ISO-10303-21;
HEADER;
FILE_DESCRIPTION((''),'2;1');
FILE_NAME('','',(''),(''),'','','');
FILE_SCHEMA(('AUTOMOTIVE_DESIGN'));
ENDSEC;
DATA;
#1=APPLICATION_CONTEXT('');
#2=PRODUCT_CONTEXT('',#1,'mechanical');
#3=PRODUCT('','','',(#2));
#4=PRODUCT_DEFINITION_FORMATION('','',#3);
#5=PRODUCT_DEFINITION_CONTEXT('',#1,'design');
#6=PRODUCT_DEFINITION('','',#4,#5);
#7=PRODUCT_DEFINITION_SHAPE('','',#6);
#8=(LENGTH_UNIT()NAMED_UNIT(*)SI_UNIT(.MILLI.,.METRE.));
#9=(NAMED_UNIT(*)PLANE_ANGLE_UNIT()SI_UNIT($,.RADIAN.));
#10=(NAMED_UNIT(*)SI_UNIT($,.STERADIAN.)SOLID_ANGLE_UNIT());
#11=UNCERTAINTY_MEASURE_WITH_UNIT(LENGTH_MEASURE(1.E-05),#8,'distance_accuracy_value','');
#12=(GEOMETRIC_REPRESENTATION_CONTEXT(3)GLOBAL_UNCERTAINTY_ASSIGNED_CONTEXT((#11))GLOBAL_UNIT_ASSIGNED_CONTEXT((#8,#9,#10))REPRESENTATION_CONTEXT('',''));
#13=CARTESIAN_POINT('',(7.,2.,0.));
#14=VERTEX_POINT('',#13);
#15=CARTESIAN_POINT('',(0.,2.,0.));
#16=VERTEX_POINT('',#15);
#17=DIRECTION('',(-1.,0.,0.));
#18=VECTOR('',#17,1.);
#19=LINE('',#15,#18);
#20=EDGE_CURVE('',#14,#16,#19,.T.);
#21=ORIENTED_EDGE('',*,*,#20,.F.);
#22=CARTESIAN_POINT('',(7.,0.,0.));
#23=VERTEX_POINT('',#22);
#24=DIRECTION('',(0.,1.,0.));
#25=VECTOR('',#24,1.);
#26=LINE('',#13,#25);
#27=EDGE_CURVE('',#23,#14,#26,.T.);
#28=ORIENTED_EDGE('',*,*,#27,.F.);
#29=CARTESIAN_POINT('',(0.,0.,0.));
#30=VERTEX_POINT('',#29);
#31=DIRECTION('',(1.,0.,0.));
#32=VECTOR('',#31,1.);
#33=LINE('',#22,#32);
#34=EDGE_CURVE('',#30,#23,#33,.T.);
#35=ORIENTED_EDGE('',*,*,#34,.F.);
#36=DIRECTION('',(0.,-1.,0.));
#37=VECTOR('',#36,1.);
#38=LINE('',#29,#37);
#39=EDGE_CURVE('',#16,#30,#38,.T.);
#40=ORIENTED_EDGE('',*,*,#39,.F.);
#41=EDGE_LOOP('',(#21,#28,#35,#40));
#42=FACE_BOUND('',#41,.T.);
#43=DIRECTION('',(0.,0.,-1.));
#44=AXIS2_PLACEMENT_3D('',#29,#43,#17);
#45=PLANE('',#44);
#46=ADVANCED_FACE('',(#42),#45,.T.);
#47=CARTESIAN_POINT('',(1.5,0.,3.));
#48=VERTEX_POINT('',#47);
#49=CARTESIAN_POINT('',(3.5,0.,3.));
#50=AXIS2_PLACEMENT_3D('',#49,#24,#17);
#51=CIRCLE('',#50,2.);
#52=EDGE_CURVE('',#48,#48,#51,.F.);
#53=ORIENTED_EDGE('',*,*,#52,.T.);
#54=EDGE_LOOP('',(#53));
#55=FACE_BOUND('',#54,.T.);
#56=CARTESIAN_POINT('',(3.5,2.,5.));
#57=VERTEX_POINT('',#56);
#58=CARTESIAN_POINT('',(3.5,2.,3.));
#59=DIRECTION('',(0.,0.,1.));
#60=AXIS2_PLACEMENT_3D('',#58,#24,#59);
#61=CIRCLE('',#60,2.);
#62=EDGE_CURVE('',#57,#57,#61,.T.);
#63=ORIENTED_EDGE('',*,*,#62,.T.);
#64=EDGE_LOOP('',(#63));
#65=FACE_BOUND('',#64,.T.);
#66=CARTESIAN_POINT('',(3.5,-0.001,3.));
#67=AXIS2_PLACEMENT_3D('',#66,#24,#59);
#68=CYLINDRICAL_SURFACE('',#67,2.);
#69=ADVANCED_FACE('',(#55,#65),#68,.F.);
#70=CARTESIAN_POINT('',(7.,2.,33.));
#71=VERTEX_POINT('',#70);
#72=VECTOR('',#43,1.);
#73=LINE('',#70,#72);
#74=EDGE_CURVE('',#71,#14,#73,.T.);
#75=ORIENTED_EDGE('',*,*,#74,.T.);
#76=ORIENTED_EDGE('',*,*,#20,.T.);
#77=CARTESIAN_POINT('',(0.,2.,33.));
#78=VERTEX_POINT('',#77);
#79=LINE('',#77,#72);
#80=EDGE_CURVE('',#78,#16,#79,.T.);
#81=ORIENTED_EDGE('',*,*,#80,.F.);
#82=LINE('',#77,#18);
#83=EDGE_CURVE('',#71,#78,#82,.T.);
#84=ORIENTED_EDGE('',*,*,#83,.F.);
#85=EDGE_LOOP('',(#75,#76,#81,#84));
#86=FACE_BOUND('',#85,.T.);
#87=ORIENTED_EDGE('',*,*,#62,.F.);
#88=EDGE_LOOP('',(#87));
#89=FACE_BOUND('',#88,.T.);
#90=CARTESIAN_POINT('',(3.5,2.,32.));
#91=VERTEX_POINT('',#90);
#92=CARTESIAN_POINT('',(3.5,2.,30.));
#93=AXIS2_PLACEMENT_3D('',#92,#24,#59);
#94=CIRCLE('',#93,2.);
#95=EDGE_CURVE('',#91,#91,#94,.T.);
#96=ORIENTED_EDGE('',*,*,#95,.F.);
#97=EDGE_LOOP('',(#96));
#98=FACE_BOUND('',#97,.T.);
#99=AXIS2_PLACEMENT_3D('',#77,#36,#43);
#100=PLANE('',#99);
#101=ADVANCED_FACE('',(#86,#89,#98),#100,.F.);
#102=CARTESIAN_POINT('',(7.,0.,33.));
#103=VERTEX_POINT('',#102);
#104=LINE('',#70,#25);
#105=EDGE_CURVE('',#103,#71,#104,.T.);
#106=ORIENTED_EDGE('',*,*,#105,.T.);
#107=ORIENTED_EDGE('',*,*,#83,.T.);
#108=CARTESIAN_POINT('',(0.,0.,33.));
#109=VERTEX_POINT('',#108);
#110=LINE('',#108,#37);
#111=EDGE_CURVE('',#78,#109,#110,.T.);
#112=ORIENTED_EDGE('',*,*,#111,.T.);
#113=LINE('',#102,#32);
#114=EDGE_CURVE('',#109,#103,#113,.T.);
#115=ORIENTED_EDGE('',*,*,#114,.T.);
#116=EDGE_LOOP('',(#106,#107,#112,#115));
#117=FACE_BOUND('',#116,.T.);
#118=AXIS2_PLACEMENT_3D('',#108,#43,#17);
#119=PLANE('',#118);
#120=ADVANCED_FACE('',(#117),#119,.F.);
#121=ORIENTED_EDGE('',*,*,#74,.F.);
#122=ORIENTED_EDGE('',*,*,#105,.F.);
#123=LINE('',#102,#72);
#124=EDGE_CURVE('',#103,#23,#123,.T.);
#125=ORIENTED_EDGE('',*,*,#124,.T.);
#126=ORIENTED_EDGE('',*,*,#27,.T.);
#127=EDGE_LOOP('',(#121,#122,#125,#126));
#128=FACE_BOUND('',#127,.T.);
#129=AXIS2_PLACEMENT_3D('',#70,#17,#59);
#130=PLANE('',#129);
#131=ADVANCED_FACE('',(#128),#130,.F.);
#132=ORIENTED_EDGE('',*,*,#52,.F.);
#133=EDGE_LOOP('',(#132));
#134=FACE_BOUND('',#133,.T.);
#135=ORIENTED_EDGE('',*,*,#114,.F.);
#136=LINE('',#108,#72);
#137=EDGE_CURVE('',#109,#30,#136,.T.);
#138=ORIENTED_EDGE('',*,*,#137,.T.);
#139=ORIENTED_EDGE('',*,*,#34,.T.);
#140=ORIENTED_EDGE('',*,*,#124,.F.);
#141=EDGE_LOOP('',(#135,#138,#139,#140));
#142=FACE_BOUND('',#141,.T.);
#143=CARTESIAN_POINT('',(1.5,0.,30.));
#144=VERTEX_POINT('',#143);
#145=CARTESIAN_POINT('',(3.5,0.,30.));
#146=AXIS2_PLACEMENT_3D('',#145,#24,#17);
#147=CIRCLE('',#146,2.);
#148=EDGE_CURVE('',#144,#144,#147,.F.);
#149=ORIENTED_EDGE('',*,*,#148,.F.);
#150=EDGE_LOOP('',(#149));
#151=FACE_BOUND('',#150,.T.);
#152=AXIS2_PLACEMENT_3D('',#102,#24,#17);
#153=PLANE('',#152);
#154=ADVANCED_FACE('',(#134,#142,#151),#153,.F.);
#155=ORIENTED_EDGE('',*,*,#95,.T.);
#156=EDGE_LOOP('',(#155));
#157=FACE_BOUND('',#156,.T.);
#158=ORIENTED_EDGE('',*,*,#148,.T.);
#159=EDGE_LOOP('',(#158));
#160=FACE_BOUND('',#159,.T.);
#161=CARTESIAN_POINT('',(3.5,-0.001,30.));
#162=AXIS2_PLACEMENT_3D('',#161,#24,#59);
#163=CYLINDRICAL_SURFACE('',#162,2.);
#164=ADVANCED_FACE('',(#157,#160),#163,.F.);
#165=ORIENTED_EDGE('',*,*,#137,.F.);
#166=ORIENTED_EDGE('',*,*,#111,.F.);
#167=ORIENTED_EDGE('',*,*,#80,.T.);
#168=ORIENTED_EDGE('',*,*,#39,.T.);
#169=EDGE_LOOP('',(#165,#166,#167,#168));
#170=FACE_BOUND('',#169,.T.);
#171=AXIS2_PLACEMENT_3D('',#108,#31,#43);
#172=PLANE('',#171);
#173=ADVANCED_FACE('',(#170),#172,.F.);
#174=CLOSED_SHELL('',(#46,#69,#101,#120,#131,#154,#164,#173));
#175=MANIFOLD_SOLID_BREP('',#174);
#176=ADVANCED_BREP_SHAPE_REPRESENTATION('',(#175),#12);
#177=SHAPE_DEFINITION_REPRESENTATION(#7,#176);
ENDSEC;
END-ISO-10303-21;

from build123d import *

# Parameters (mm, degrees)
SKETCH1_W           = 7
SKETCH1_H           = 2
BOSS_EXTRUDE1_DEPTH = 33
CUT_EXTRUDE1_REACH  = 35.793
SKETCH2_R           = 2


with BuildPart() as part:
    # Sketch1 → Boss-Extrude1 (new body)
    with BuildSketch(Plane.XY):
        with Locations((3.5, 1)):
            Rectangle(SKETCH1_W, SKETCH1_H)
    extrude(amount=BOSS_EXTRUDE1_DEPTH)

    # Sketch2 → Cut-Extrude1 (cut, up to next)
    with BuildSketch(Plane(origin=(0, 2, 0), x_dir=(1, 0, 0), z_dir=(0, 1, 0)), mode=Mode.PRIVATE) as cut_extrude1_sk1:
        with Locations(Location((3.5, -30, 0), (0, 0, 270))):
            Circle(SKETCH2_R)
    cut_extrude1_tool1 = extrude(cut_extrude1_sk1.sketch, amount=-CUT_EXTRUDE1_REACH, mode=Mode.PRIVATE) & part.part
    # Sketch2 → Cut-Extrude1 (cut, up to next)
    with BuildSketch(Plane(origin=(0, 2, 0), x_dir=(1, 0, 0), z_dir=(0, 1, 0)), mode=Mode.PRIVATE) as cut_extrude1_sk2:
        with Locations(Location((3.5, -3, 0), (0, 0, 270))):
            Circle(SKETCH2_R)
    cut_extrude1_tool2 = extrude(cut_extrude1_sk2.sketch, amount=-CUT_EXTRUDE1_REACH, mode=Mode.PRIVATE) & part.part
    add(cut_extrude1_tool1.solids().sort_by_distance((3.5, 2, 30))[0], mode=Mode.SUBTRACT)
    add(cut_extrude1_tool2.solids().sort_by_distance((3.5, 2, 3))[0], mode=Mode.SUBTRACT)


solid = part.part
